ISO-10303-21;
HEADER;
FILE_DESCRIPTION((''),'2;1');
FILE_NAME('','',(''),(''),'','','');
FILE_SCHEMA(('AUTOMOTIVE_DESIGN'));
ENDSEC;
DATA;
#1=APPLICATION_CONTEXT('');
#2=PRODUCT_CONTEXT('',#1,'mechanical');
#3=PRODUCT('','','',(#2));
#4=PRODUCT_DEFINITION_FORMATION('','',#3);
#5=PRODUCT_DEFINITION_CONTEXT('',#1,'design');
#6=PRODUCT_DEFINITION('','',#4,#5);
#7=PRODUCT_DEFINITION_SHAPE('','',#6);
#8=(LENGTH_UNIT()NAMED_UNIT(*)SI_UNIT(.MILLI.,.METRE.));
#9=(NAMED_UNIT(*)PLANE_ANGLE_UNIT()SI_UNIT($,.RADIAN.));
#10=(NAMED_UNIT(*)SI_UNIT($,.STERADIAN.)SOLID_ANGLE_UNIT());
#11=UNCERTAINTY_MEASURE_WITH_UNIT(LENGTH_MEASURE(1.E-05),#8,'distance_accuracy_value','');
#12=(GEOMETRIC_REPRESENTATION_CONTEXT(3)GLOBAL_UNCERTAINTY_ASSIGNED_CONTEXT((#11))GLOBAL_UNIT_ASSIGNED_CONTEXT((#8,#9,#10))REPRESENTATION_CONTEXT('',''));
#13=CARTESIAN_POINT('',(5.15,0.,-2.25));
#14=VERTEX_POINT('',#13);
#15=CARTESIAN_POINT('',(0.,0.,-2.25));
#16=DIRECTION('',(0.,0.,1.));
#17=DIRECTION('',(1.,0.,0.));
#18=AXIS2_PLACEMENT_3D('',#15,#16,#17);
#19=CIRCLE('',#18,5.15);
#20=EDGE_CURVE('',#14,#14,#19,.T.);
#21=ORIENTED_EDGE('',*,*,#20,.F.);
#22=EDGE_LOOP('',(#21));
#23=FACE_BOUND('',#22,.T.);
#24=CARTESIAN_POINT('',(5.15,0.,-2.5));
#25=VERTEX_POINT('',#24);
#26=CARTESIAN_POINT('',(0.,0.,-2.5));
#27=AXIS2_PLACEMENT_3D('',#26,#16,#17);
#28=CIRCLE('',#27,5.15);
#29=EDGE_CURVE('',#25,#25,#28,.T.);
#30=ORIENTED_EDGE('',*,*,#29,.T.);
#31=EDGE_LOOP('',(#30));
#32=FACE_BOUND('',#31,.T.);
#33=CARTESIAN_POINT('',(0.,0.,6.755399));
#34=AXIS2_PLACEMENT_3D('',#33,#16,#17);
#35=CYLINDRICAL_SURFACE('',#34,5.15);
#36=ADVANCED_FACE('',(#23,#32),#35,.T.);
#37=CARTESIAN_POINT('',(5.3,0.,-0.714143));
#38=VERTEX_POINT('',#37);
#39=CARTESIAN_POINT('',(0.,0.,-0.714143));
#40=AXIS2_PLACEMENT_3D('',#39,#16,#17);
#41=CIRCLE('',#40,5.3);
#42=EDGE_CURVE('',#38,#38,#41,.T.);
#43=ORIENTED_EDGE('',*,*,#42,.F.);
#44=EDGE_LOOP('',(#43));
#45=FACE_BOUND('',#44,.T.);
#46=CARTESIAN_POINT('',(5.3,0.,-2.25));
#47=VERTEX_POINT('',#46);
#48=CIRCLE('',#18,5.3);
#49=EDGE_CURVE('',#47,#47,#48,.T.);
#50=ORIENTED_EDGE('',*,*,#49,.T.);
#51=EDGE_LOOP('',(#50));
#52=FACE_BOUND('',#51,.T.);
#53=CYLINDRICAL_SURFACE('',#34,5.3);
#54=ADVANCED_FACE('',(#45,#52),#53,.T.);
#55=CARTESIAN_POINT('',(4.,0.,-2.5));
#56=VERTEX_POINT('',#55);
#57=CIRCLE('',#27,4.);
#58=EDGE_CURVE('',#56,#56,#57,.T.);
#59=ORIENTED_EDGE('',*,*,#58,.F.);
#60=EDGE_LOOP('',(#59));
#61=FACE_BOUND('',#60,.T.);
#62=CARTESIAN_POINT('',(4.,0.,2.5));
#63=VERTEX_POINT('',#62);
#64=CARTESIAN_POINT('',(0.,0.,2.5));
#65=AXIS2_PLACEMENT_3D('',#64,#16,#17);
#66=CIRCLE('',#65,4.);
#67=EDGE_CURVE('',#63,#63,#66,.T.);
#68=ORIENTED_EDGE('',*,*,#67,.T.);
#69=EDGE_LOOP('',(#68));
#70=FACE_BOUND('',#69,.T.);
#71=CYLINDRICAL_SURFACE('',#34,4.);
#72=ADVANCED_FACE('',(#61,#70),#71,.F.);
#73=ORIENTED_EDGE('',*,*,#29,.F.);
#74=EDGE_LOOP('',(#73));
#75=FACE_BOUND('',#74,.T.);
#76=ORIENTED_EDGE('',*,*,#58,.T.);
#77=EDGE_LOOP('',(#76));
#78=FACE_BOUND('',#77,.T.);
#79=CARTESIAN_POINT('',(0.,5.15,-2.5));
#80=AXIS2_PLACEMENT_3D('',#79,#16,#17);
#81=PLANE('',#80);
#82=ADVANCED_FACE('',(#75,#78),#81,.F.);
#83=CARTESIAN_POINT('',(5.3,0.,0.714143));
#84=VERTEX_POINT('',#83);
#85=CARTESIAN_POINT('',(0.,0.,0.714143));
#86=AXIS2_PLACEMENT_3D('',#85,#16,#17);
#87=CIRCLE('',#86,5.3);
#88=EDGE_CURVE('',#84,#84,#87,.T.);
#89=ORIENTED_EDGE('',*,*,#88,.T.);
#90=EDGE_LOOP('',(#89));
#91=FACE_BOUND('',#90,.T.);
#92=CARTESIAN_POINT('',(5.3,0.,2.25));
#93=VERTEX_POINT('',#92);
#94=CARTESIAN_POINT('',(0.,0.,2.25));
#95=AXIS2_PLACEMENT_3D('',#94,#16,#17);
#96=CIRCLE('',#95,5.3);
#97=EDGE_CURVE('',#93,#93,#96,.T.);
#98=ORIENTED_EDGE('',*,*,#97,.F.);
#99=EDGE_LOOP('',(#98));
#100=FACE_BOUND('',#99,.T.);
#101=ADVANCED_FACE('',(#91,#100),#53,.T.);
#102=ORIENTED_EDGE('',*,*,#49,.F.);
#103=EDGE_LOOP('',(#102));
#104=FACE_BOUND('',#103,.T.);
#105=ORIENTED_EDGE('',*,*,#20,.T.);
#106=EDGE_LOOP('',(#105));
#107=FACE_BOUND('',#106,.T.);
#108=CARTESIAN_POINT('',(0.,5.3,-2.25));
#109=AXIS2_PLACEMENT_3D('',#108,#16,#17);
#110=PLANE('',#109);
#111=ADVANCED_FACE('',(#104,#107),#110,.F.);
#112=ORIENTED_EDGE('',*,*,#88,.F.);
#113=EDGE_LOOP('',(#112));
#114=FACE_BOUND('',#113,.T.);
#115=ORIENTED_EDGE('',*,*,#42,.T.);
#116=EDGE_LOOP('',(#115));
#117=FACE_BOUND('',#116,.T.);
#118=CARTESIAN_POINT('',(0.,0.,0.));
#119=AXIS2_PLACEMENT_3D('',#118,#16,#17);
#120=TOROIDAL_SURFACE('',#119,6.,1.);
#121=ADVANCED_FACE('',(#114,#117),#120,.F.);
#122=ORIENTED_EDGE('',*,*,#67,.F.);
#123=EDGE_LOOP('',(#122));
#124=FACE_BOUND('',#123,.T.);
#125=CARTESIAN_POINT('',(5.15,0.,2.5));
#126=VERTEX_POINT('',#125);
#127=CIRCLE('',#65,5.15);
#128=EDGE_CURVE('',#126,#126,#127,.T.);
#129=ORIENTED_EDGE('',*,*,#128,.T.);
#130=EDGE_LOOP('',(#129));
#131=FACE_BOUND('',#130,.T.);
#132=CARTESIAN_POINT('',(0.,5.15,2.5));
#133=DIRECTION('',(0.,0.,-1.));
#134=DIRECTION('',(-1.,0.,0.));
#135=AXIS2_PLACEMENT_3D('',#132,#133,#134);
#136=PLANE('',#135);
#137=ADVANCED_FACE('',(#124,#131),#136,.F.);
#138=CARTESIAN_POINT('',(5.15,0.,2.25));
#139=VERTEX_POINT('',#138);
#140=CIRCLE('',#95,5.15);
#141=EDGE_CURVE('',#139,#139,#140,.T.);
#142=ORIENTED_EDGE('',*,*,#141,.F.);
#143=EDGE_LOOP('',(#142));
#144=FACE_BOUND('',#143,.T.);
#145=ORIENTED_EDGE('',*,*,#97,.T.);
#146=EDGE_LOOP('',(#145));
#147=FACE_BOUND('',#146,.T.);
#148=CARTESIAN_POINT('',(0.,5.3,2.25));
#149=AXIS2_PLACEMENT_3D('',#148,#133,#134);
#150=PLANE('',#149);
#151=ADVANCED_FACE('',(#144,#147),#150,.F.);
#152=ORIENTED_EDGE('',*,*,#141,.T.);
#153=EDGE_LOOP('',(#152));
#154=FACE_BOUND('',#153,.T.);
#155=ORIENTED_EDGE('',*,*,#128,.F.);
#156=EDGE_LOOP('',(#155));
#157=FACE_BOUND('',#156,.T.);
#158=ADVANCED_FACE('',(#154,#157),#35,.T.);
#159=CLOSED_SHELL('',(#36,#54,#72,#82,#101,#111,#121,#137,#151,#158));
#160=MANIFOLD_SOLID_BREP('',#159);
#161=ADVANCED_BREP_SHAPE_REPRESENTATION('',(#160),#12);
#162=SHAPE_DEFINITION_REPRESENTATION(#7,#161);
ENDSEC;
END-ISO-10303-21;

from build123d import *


with BuildPart() as part:
    # Sketch1 → Revolve1 (revolve)
    with BuildSketch(Plane(origin=(0, 0, 0), x_dir=(0, 0, -1), z_dir=(1, 0, 0))):
        with BuildLine():
            Line((-2.5, 5.15), (-2.5, 4))
            Line((-2.5, 4), (2.5, 4))
            Line((2.5, 4), (2.5, 5.15))
            Line((2.5, 5.15), (2.25, 5.15))
            Line((2.25, 5.15), (2.25, 5.3))
            Line((2.25, 5.3), (0.714142843, 5.3))
            ThreePointArc((0.714142843, 5.3), (0, 5), (-0.714142843, 5.3))
            Line((-0.714142843, 5.3), (-2.25, 5.3))
            Line((-2.25, 5.3), (-2.25, 5.15))
            Line((-2.25, 5.15), (-2.5, 5.15))
        make_face()
    revolve(axis=Axis((0, 0, 6.755399071), (0, 0, -1)))


solid = part.part
